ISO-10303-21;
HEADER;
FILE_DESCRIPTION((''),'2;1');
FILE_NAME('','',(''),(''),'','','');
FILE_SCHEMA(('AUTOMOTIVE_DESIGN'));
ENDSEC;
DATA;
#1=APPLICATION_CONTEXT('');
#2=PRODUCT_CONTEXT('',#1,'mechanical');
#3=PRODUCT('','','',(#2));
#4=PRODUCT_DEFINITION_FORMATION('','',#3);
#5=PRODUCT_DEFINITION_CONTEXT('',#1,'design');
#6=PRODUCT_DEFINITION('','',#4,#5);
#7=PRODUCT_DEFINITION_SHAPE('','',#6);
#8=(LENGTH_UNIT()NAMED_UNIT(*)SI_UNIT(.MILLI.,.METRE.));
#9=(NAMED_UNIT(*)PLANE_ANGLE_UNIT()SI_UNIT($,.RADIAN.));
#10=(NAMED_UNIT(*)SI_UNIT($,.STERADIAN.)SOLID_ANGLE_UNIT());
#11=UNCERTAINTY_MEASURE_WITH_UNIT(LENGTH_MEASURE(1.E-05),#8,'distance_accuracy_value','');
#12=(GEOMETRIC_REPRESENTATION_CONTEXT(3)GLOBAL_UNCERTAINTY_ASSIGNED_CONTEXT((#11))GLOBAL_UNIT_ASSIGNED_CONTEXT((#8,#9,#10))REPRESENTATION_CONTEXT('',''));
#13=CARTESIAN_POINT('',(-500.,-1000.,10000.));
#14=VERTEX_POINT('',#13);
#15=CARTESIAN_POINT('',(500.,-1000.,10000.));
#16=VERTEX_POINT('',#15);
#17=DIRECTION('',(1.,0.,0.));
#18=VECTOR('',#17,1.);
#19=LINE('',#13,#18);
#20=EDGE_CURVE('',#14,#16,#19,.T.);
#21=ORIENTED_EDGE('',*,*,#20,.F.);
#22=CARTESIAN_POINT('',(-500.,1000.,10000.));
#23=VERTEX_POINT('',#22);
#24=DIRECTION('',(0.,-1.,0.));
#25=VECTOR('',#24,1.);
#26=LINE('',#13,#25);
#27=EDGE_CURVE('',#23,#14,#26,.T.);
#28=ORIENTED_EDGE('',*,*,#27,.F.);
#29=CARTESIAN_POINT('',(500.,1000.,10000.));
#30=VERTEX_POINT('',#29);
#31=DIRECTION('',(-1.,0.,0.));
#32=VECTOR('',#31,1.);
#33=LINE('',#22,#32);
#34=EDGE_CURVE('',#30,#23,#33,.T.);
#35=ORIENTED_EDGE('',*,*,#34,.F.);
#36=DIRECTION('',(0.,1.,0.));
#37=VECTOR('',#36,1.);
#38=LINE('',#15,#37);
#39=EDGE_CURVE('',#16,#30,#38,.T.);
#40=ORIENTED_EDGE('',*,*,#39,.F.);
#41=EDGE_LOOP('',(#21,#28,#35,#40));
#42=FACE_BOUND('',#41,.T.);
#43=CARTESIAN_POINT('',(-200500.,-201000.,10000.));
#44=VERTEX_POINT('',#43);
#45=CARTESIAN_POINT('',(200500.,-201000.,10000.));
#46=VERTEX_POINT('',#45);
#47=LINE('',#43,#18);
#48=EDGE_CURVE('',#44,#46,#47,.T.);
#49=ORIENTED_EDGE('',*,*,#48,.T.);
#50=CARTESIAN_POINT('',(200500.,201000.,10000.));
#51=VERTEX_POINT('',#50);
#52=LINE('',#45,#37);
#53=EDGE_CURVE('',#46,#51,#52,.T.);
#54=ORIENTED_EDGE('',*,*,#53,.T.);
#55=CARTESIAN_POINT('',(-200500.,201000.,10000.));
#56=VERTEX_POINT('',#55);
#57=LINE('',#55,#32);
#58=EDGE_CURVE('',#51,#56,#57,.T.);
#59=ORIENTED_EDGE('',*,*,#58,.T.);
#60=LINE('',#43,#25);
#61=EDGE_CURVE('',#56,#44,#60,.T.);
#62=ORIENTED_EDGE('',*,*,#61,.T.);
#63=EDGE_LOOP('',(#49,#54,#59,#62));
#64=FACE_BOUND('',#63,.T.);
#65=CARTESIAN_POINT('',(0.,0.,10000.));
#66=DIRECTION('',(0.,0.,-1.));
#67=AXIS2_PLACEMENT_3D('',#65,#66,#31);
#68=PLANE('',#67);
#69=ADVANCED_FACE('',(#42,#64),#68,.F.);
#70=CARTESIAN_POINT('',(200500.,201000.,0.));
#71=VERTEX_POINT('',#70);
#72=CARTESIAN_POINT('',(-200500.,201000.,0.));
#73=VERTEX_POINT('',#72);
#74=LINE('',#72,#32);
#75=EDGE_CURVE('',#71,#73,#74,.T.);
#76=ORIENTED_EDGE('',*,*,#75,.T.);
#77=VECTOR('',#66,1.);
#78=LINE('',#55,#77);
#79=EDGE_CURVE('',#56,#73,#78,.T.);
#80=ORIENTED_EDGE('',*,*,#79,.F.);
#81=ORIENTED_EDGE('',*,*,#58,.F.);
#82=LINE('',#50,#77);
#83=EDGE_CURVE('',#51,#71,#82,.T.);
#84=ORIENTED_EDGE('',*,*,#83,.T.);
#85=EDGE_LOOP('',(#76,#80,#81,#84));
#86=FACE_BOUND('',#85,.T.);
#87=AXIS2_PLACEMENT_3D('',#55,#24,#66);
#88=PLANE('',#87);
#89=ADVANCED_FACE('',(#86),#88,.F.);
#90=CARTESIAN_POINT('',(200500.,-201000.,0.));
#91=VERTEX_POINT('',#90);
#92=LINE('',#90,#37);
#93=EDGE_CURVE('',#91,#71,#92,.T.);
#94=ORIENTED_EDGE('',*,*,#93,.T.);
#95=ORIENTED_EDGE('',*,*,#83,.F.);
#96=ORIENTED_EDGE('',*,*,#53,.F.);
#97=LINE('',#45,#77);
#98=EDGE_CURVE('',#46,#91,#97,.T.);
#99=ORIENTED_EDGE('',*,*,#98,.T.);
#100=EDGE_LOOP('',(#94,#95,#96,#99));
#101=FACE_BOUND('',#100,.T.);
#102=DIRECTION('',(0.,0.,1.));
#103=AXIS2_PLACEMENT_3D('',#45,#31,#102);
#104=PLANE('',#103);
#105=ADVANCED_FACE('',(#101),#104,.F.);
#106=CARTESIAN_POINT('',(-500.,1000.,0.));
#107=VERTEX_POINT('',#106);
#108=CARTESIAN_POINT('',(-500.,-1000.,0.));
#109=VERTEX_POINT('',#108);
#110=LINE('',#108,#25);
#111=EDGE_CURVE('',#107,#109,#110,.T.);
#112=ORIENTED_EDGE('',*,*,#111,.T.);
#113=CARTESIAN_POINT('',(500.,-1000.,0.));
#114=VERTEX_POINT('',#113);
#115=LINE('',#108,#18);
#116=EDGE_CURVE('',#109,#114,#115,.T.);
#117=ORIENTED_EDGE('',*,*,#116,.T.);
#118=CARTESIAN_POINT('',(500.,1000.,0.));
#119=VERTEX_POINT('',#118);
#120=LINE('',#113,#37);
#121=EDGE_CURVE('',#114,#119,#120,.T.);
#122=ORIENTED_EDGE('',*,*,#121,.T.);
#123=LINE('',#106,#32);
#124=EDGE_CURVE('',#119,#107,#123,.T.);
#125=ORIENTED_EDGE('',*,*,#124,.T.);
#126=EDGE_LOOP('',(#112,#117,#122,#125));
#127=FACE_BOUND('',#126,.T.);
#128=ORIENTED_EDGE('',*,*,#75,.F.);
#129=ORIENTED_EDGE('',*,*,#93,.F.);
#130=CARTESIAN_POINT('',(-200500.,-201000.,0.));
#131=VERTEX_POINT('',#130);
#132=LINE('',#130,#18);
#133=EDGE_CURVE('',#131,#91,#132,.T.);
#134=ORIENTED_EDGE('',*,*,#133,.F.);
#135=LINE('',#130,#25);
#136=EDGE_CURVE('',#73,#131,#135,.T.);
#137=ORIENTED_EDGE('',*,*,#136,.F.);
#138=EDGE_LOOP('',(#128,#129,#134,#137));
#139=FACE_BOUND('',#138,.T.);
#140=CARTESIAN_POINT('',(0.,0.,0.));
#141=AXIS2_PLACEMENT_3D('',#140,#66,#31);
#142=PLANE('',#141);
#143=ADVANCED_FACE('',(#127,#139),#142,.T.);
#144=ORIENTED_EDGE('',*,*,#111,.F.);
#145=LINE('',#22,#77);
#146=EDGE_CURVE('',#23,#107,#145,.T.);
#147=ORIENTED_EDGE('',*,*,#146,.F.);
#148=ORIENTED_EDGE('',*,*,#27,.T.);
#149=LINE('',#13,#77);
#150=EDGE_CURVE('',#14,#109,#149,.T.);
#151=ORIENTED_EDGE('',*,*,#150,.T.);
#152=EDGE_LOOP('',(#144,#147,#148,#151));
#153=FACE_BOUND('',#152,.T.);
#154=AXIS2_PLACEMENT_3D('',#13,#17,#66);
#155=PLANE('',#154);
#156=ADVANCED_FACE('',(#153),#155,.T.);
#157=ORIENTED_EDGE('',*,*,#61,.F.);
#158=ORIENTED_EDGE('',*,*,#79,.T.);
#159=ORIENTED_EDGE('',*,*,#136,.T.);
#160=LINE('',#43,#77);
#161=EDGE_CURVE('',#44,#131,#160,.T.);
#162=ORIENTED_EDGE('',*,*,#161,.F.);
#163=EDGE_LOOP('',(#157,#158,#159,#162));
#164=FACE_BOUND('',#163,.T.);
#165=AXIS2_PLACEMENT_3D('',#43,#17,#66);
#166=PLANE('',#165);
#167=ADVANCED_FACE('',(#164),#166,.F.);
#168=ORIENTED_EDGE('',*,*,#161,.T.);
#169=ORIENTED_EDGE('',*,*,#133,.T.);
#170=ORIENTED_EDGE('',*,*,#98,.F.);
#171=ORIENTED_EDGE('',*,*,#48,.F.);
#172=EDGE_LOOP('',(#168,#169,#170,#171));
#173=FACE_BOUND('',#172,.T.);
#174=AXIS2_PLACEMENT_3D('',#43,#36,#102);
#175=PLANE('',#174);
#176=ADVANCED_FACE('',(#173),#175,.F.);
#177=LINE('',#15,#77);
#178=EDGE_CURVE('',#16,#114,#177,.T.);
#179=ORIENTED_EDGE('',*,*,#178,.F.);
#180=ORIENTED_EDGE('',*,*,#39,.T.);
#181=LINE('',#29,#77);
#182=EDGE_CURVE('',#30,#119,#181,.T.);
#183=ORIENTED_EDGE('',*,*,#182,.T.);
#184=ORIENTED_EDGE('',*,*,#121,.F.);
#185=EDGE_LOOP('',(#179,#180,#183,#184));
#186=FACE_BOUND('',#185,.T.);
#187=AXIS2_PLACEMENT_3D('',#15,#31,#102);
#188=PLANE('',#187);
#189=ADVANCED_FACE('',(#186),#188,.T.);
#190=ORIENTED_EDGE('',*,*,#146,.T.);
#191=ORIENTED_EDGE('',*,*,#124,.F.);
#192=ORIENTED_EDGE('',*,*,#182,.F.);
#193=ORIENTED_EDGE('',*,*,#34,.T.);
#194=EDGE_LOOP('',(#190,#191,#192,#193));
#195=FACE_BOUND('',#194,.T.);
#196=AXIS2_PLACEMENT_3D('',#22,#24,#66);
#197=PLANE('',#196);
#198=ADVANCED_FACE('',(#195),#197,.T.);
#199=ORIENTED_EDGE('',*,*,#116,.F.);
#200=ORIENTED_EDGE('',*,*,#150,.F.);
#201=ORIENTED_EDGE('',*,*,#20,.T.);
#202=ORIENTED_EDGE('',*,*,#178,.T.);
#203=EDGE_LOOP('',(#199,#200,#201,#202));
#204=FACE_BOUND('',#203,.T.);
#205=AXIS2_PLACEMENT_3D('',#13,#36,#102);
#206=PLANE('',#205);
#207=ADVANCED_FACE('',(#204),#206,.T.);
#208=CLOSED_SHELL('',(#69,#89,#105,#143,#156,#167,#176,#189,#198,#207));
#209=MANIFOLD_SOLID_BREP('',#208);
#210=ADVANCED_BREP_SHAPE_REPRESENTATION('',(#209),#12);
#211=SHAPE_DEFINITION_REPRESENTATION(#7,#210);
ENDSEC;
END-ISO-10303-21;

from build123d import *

# Parameters (mm, degrees)
SKETCH_1_W      = 401000
SKETCH_1_H      = 402000
SKETCH_1_W_2    = 1000
SKETCH_1_H_2    = 2000
EXTRUDE_1_DEPTH = 10000


with BuildPart() as part:
    # 草圖1 → 填料-伸長1 (new body)
    with BuildSketch(Plane.XY):
        Rectangle(SKETCH_1_W, SKETCH_1_H)
        Rectangle(SKETCH_1_W_2, SKETCH_1_H_2, mode=Mode.SUBTRACT)
    extrude(amount=EXTRUDE_1_DEPTH)


solid = part.part
